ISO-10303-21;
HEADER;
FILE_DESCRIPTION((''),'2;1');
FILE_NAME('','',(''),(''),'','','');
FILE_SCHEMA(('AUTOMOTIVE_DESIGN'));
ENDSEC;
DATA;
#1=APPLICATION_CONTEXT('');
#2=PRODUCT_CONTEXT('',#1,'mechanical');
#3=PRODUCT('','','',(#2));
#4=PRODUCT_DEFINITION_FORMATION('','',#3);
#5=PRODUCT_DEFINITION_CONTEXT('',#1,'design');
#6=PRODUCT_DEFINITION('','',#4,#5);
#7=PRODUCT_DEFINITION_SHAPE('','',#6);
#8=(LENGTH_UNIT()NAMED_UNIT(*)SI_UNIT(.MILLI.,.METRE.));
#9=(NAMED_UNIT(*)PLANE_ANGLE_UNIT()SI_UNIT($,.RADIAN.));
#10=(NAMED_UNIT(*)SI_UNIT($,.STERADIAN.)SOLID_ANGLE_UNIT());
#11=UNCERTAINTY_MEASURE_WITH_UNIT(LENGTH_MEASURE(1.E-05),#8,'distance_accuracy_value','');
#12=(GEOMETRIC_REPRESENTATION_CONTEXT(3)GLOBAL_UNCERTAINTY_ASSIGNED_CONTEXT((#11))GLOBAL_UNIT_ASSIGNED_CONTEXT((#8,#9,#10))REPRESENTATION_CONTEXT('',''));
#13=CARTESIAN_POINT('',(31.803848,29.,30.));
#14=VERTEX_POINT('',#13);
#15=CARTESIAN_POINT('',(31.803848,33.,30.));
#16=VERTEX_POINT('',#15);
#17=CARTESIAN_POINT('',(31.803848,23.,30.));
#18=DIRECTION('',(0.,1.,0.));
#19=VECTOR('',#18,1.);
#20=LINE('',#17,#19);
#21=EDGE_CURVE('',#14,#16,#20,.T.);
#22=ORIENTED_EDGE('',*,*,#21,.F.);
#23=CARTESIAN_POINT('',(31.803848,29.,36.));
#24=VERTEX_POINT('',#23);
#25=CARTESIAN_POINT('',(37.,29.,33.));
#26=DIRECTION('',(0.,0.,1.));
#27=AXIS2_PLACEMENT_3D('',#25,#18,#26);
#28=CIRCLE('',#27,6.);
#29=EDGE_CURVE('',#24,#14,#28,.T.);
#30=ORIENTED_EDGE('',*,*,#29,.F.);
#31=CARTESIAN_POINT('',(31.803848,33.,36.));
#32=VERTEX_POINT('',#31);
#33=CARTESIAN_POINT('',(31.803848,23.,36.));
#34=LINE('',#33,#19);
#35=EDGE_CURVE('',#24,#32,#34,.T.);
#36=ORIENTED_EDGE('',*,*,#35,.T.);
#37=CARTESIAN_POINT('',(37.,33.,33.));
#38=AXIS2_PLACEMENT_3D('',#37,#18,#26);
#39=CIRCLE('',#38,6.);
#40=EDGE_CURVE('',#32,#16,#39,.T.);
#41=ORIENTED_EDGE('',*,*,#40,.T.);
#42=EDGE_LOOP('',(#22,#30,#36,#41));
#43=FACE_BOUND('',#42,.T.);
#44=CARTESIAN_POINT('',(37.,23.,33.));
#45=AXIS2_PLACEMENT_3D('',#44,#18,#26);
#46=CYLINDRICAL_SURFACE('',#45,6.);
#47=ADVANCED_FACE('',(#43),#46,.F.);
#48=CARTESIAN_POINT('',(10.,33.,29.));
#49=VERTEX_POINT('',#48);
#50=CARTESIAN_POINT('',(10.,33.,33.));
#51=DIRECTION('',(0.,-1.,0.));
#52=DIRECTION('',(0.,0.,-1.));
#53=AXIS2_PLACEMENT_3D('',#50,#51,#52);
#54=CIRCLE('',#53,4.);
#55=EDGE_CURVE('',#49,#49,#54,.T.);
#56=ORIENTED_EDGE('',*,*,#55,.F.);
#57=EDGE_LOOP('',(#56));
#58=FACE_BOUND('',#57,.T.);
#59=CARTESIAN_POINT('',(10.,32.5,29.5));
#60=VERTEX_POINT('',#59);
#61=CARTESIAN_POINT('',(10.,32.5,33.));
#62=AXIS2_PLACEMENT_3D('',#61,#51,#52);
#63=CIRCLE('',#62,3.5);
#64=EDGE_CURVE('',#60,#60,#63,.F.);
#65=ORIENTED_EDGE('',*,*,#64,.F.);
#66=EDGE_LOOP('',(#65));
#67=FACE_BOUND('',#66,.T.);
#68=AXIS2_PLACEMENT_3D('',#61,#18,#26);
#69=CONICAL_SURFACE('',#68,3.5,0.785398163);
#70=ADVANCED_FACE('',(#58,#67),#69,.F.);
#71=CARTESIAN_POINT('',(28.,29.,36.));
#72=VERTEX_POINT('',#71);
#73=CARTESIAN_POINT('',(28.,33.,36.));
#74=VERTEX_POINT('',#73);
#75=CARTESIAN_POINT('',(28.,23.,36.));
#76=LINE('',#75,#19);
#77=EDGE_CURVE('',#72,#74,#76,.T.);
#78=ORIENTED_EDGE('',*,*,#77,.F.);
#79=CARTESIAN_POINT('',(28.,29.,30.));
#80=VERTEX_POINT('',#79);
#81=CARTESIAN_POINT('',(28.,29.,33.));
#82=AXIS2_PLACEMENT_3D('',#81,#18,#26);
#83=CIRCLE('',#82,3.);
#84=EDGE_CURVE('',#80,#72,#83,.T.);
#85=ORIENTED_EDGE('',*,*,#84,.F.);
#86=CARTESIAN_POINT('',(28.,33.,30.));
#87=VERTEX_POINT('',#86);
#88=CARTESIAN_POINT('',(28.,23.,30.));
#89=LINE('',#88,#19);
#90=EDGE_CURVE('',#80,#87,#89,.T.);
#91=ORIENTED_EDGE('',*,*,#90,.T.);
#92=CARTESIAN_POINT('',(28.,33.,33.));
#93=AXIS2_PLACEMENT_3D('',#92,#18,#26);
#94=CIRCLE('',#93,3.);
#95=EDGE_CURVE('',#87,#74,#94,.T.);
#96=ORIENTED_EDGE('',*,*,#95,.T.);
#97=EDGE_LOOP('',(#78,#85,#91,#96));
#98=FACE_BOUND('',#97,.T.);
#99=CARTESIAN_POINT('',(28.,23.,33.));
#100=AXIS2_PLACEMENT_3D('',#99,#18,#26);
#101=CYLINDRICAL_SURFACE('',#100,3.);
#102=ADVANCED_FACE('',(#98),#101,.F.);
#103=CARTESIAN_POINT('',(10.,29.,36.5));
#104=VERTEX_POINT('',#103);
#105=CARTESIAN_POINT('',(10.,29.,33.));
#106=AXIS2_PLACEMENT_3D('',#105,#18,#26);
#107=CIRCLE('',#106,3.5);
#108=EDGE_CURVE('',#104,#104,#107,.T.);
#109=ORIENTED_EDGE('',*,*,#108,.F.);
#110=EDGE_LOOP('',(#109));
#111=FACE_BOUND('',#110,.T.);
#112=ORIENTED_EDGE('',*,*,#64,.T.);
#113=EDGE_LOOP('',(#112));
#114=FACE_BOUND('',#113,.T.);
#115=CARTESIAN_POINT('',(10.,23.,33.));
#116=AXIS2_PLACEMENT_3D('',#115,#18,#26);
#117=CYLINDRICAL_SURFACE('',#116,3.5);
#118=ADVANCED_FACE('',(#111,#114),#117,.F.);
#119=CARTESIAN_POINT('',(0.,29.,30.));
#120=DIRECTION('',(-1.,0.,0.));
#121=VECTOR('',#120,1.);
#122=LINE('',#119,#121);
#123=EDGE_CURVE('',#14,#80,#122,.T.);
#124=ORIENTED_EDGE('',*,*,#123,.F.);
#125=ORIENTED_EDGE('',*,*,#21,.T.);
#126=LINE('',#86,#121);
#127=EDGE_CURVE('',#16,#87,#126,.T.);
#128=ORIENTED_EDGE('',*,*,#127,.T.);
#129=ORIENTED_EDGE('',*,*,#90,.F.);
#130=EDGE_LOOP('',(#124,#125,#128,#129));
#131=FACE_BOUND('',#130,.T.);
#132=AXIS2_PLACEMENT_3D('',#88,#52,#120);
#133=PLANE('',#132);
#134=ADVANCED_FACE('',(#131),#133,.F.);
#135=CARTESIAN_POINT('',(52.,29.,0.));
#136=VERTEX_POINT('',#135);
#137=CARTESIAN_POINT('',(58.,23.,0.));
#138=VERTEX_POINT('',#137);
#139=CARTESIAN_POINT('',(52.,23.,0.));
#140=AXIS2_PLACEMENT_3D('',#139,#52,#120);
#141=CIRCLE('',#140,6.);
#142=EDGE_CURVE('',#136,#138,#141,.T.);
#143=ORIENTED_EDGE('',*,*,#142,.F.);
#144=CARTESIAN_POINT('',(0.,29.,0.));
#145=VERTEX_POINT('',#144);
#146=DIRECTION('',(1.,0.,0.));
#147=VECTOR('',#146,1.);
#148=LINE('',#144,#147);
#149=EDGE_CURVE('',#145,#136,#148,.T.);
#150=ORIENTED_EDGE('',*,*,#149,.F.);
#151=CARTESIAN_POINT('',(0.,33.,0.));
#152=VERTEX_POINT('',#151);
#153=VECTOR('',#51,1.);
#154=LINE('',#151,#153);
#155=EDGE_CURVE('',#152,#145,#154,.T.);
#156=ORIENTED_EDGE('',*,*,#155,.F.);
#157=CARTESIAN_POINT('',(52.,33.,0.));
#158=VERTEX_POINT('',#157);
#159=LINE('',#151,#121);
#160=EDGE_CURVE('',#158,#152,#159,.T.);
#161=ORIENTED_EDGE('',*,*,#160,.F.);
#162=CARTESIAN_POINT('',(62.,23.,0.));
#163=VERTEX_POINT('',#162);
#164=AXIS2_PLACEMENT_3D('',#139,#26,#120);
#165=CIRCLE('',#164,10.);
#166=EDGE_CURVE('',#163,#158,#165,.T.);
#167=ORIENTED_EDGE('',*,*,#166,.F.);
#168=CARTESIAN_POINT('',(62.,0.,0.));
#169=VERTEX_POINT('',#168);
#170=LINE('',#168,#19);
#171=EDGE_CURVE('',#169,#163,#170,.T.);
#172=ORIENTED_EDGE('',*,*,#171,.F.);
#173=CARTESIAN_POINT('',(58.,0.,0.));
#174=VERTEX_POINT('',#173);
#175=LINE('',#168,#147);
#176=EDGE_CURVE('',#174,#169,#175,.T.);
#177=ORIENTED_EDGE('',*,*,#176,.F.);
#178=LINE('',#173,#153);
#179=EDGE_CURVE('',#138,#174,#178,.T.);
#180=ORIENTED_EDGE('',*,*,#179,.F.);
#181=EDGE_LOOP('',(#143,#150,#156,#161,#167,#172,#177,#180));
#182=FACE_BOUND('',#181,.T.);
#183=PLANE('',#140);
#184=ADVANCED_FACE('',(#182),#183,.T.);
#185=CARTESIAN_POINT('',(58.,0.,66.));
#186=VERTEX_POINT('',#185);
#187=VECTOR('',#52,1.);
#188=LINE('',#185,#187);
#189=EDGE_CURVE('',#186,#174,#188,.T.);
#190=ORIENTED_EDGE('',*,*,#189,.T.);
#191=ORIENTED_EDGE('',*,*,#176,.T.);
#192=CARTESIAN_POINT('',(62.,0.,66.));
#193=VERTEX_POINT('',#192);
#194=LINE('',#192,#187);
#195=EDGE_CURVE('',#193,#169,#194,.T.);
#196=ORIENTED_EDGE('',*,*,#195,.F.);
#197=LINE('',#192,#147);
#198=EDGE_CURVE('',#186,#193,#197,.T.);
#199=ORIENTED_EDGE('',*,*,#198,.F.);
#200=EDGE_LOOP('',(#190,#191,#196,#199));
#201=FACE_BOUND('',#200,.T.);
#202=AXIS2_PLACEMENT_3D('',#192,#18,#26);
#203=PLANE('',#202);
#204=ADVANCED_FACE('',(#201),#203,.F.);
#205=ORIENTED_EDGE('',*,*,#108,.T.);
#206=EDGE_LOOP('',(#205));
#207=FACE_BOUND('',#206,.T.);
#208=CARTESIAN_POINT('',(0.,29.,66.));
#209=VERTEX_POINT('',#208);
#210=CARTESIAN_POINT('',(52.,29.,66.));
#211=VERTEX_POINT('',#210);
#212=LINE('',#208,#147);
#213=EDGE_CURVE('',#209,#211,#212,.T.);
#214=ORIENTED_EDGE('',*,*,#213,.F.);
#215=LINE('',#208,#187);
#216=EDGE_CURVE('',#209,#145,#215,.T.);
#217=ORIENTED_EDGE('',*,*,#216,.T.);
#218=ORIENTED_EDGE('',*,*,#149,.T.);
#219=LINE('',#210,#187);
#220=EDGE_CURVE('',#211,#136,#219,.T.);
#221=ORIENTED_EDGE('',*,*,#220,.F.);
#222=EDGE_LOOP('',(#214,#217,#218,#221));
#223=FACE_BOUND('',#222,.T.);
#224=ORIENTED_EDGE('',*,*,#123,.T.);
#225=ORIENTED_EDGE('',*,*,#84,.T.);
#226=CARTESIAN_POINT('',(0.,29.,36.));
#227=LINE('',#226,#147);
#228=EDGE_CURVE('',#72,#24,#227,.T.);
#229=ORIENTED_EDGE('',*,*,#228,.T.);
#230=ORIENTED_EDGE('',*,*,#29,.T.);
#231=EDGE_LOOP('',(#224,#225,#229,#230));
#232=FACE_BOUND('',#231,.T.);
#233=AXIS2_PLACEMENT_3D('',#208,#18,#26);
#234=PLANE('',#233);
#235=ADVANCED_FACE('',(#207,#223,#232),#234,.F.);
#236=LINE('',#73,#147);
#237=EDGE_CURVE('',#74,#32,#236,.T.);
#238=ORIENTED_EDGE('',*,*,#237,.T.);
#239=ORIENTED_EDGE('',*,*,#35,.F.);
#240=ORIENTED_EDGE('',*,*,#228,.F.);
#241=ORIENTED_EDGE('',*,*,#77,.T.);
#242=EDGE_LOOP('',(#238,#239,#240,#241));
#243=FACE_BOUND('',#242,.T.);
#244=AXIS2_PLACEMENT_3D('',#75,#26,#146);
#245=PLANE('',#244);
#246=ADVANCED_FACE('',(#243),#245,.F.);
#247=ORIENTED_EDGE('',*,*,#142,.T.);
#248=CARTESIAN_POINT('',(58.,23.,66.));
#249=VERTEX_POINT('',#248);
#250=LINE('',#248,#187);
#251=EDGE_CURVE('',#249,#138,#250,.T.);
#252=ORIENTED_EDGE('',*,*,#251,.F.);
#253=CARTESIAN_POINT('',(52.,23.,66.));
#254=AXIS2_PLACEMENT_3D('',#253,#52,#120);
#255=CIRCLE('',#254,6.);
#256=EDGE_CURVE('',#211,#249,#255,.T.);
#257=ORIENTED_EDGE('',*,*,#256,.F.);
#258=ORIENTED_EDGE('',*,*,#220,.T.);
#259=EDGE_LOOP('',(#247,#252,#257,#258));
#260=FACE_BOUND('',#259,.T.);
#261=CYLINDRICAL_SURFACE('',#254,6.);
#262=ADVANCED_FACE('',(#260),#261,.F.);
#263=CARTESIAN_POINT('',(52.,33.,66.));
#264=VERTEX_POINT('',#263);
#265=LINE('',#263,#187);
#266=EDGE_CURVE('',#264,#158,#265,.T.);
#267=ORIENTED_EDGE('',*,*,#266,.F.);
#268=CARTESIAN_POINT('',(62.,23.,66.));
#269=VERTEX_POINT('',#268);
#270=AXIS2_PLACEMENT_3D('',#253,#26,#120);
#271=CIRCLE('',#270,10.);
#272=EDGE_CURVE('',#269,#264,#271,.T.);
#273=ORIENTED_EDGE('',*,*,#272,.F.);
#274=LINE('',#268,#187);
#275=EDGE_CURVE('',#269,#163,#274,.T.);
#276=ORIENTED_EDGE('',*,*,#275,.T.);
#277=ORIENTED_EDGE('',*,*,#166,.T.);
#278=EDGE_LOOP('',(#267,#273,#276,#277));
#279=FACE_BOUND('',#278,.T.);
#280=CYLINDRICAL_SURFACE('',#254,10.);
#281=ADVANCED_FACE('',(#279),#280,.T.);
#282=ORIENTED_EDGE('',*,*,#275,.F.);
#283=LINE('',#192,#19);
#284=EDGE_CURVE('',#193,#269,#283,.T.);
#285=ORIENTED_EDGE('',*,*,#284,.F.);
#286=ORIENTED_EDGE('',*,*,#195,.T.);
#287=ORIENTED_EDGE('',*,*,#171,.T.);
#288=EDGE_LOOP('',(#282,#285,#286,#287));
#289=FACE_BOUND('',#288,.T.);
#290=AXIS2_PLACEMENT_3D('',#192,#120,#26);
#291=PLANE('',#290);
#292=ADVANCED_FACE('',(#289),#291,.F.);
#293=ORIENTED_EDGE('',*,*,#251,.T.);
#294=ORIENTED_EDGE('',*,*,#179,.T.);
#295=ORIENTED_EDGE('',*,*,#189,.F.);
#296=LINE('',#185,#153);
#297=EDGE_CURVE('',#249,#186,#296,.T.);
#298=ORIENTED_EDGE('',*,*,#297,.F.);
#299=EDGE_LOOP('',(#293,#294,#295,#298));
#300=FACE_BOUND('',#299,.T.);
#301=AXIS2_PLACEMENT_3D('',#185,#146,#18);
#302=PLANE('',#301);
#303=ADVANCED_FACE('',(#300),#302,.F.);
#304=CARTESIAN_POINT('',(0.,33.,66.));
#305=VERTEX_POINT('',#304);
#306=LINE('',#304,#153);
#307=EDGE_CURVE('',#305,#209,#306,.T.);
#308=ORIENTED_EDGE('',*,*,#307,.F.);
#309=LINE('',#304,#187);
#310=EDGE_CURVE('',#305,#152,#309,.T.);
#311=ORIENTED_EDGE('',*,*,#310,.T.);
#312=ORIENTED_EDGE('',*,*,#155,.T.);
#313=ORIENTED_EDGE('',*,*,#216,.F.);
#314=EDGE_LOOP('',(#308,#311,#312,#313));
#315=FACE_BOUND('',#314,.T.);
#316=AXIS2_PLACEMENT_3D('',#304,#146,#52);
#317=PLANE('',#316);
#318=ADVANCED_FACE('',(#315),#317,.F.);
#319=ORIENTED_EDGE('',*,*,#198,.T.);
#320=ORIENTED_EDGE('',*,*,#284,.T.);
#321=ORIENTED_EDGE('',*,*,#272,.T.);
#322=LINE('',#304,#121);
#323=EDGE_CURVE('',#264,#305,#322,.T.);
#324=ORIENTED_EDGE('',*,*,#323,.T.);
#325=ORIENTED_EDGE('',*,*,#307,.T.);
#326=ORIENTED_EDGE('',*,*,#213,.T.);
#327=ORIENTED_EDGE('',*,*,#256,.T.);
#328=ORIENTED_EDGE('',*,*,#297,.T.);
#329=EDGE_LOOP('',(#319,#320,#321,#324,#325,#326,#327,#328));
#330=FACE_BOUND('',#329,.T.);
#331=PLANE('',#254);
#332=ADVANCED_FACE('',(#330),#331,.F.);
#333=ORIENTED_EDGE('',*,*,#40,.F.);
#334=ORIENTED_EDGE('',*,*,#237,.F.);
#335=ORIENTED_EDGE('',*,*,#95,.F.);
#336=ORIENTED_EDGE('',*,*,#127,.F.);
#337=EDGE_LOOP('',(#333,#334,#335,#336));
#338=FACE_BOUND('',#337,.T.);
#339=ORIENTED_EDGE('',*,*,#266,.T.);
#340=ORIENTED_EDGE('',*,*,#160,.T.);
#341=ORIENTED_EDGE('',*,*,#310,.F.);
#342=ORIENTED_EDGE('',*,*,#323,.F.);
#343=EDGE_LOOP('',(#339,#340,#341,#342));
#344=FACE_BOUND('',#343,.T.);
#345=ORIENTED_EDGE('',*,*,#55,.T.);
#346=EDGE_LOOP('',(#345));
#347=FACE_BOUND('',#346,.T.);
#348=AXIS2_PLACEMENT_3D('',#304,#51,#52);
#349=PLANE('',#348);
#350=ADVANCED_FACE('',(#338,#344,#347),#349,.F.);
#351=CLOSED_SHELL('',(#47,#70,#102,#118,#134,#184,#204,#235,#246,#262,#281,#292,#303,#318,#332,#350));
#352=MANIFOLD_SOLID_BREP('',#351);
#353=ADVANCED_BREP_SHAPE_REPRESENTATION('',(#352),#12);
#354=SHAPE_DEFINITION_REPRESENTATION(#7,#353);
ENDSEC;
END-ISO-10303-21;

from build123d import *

# Parameters (mm, degrees)
BOSS_EXTRUDE1_DEPTH = 66
CUT_EXTRUDE2_DEPTH  = 10
SKETCH3_R           = 3.5
CUT_EXTRUDE3_DEPTH  = 10
CHAMFER1_SIZE       = 0.5


with BuildPart() as part:
    # Sketch1 → Boss-Extrude1 (new body)
    with BuildSketch(Plane.XY):
        with BuildLine():
            Line((0, 29), (52, 29))
            ThreePointArc((52, 29), (56.242640687, 27.242640687), (58, 23))
            Line((58, 23), (58, 0))
            Line((58, 0), (62, 0))
            Line((62, 0), (62, 23))
            ThreePointArc((62, 23), (59.071067812, 30.071067812), (52, 33))
            Line((52, 33), (0, 33))
            Line((0, 33), (0, 29))
        make_face()
    extrude(amount=BOSS_EXTRUDE1_DEPTH)

    # Sketch2 → Cut-Extrude2 (cut)
    with BuildSketch(Plane(origin=(0, 33, 0), x_dir=(1, 0, 0), z_dir=(0, 1, 0))):
        with BuildLine():
            Line((28, -30), (31.803847577, -30))
            ThreePointArc((31.803847577, -30), (43, -33), (31.803847577, -36))
            Line((31.803847577, -36), (28, -36))
            ThreePointArc((28, -36), (25, -33), (28, -30))
        make_face()
    extrude(amount=-CUT_EXTRUDE2_DEPTH, mode=Mode.SUBTRACT)

    # Sketch3 → Cut-Extrude3 (cut)
    with BuildSketch(Plane(origin=(0, 33, 0), x_dir=(1, 0, 0), z_dir=(0, 1, 0))):
        with Locations(Location((10, -33, 0), (0, 0, 270))):
            Circle(SKETCH3_R)
    extrude(amount=-CUT_EXTRUDE3_DEPTH, mode=Mode.SUBTRACT)

    # Chamfer1
    chamfer1_edges = [part.edges().sort_by_distance(p)[0] for p in [
        (10, 33, 29.5),
    ]]
    chamfer(chamfer1_edges, length=CHAMFER1_SIZE)


solid = part.part
